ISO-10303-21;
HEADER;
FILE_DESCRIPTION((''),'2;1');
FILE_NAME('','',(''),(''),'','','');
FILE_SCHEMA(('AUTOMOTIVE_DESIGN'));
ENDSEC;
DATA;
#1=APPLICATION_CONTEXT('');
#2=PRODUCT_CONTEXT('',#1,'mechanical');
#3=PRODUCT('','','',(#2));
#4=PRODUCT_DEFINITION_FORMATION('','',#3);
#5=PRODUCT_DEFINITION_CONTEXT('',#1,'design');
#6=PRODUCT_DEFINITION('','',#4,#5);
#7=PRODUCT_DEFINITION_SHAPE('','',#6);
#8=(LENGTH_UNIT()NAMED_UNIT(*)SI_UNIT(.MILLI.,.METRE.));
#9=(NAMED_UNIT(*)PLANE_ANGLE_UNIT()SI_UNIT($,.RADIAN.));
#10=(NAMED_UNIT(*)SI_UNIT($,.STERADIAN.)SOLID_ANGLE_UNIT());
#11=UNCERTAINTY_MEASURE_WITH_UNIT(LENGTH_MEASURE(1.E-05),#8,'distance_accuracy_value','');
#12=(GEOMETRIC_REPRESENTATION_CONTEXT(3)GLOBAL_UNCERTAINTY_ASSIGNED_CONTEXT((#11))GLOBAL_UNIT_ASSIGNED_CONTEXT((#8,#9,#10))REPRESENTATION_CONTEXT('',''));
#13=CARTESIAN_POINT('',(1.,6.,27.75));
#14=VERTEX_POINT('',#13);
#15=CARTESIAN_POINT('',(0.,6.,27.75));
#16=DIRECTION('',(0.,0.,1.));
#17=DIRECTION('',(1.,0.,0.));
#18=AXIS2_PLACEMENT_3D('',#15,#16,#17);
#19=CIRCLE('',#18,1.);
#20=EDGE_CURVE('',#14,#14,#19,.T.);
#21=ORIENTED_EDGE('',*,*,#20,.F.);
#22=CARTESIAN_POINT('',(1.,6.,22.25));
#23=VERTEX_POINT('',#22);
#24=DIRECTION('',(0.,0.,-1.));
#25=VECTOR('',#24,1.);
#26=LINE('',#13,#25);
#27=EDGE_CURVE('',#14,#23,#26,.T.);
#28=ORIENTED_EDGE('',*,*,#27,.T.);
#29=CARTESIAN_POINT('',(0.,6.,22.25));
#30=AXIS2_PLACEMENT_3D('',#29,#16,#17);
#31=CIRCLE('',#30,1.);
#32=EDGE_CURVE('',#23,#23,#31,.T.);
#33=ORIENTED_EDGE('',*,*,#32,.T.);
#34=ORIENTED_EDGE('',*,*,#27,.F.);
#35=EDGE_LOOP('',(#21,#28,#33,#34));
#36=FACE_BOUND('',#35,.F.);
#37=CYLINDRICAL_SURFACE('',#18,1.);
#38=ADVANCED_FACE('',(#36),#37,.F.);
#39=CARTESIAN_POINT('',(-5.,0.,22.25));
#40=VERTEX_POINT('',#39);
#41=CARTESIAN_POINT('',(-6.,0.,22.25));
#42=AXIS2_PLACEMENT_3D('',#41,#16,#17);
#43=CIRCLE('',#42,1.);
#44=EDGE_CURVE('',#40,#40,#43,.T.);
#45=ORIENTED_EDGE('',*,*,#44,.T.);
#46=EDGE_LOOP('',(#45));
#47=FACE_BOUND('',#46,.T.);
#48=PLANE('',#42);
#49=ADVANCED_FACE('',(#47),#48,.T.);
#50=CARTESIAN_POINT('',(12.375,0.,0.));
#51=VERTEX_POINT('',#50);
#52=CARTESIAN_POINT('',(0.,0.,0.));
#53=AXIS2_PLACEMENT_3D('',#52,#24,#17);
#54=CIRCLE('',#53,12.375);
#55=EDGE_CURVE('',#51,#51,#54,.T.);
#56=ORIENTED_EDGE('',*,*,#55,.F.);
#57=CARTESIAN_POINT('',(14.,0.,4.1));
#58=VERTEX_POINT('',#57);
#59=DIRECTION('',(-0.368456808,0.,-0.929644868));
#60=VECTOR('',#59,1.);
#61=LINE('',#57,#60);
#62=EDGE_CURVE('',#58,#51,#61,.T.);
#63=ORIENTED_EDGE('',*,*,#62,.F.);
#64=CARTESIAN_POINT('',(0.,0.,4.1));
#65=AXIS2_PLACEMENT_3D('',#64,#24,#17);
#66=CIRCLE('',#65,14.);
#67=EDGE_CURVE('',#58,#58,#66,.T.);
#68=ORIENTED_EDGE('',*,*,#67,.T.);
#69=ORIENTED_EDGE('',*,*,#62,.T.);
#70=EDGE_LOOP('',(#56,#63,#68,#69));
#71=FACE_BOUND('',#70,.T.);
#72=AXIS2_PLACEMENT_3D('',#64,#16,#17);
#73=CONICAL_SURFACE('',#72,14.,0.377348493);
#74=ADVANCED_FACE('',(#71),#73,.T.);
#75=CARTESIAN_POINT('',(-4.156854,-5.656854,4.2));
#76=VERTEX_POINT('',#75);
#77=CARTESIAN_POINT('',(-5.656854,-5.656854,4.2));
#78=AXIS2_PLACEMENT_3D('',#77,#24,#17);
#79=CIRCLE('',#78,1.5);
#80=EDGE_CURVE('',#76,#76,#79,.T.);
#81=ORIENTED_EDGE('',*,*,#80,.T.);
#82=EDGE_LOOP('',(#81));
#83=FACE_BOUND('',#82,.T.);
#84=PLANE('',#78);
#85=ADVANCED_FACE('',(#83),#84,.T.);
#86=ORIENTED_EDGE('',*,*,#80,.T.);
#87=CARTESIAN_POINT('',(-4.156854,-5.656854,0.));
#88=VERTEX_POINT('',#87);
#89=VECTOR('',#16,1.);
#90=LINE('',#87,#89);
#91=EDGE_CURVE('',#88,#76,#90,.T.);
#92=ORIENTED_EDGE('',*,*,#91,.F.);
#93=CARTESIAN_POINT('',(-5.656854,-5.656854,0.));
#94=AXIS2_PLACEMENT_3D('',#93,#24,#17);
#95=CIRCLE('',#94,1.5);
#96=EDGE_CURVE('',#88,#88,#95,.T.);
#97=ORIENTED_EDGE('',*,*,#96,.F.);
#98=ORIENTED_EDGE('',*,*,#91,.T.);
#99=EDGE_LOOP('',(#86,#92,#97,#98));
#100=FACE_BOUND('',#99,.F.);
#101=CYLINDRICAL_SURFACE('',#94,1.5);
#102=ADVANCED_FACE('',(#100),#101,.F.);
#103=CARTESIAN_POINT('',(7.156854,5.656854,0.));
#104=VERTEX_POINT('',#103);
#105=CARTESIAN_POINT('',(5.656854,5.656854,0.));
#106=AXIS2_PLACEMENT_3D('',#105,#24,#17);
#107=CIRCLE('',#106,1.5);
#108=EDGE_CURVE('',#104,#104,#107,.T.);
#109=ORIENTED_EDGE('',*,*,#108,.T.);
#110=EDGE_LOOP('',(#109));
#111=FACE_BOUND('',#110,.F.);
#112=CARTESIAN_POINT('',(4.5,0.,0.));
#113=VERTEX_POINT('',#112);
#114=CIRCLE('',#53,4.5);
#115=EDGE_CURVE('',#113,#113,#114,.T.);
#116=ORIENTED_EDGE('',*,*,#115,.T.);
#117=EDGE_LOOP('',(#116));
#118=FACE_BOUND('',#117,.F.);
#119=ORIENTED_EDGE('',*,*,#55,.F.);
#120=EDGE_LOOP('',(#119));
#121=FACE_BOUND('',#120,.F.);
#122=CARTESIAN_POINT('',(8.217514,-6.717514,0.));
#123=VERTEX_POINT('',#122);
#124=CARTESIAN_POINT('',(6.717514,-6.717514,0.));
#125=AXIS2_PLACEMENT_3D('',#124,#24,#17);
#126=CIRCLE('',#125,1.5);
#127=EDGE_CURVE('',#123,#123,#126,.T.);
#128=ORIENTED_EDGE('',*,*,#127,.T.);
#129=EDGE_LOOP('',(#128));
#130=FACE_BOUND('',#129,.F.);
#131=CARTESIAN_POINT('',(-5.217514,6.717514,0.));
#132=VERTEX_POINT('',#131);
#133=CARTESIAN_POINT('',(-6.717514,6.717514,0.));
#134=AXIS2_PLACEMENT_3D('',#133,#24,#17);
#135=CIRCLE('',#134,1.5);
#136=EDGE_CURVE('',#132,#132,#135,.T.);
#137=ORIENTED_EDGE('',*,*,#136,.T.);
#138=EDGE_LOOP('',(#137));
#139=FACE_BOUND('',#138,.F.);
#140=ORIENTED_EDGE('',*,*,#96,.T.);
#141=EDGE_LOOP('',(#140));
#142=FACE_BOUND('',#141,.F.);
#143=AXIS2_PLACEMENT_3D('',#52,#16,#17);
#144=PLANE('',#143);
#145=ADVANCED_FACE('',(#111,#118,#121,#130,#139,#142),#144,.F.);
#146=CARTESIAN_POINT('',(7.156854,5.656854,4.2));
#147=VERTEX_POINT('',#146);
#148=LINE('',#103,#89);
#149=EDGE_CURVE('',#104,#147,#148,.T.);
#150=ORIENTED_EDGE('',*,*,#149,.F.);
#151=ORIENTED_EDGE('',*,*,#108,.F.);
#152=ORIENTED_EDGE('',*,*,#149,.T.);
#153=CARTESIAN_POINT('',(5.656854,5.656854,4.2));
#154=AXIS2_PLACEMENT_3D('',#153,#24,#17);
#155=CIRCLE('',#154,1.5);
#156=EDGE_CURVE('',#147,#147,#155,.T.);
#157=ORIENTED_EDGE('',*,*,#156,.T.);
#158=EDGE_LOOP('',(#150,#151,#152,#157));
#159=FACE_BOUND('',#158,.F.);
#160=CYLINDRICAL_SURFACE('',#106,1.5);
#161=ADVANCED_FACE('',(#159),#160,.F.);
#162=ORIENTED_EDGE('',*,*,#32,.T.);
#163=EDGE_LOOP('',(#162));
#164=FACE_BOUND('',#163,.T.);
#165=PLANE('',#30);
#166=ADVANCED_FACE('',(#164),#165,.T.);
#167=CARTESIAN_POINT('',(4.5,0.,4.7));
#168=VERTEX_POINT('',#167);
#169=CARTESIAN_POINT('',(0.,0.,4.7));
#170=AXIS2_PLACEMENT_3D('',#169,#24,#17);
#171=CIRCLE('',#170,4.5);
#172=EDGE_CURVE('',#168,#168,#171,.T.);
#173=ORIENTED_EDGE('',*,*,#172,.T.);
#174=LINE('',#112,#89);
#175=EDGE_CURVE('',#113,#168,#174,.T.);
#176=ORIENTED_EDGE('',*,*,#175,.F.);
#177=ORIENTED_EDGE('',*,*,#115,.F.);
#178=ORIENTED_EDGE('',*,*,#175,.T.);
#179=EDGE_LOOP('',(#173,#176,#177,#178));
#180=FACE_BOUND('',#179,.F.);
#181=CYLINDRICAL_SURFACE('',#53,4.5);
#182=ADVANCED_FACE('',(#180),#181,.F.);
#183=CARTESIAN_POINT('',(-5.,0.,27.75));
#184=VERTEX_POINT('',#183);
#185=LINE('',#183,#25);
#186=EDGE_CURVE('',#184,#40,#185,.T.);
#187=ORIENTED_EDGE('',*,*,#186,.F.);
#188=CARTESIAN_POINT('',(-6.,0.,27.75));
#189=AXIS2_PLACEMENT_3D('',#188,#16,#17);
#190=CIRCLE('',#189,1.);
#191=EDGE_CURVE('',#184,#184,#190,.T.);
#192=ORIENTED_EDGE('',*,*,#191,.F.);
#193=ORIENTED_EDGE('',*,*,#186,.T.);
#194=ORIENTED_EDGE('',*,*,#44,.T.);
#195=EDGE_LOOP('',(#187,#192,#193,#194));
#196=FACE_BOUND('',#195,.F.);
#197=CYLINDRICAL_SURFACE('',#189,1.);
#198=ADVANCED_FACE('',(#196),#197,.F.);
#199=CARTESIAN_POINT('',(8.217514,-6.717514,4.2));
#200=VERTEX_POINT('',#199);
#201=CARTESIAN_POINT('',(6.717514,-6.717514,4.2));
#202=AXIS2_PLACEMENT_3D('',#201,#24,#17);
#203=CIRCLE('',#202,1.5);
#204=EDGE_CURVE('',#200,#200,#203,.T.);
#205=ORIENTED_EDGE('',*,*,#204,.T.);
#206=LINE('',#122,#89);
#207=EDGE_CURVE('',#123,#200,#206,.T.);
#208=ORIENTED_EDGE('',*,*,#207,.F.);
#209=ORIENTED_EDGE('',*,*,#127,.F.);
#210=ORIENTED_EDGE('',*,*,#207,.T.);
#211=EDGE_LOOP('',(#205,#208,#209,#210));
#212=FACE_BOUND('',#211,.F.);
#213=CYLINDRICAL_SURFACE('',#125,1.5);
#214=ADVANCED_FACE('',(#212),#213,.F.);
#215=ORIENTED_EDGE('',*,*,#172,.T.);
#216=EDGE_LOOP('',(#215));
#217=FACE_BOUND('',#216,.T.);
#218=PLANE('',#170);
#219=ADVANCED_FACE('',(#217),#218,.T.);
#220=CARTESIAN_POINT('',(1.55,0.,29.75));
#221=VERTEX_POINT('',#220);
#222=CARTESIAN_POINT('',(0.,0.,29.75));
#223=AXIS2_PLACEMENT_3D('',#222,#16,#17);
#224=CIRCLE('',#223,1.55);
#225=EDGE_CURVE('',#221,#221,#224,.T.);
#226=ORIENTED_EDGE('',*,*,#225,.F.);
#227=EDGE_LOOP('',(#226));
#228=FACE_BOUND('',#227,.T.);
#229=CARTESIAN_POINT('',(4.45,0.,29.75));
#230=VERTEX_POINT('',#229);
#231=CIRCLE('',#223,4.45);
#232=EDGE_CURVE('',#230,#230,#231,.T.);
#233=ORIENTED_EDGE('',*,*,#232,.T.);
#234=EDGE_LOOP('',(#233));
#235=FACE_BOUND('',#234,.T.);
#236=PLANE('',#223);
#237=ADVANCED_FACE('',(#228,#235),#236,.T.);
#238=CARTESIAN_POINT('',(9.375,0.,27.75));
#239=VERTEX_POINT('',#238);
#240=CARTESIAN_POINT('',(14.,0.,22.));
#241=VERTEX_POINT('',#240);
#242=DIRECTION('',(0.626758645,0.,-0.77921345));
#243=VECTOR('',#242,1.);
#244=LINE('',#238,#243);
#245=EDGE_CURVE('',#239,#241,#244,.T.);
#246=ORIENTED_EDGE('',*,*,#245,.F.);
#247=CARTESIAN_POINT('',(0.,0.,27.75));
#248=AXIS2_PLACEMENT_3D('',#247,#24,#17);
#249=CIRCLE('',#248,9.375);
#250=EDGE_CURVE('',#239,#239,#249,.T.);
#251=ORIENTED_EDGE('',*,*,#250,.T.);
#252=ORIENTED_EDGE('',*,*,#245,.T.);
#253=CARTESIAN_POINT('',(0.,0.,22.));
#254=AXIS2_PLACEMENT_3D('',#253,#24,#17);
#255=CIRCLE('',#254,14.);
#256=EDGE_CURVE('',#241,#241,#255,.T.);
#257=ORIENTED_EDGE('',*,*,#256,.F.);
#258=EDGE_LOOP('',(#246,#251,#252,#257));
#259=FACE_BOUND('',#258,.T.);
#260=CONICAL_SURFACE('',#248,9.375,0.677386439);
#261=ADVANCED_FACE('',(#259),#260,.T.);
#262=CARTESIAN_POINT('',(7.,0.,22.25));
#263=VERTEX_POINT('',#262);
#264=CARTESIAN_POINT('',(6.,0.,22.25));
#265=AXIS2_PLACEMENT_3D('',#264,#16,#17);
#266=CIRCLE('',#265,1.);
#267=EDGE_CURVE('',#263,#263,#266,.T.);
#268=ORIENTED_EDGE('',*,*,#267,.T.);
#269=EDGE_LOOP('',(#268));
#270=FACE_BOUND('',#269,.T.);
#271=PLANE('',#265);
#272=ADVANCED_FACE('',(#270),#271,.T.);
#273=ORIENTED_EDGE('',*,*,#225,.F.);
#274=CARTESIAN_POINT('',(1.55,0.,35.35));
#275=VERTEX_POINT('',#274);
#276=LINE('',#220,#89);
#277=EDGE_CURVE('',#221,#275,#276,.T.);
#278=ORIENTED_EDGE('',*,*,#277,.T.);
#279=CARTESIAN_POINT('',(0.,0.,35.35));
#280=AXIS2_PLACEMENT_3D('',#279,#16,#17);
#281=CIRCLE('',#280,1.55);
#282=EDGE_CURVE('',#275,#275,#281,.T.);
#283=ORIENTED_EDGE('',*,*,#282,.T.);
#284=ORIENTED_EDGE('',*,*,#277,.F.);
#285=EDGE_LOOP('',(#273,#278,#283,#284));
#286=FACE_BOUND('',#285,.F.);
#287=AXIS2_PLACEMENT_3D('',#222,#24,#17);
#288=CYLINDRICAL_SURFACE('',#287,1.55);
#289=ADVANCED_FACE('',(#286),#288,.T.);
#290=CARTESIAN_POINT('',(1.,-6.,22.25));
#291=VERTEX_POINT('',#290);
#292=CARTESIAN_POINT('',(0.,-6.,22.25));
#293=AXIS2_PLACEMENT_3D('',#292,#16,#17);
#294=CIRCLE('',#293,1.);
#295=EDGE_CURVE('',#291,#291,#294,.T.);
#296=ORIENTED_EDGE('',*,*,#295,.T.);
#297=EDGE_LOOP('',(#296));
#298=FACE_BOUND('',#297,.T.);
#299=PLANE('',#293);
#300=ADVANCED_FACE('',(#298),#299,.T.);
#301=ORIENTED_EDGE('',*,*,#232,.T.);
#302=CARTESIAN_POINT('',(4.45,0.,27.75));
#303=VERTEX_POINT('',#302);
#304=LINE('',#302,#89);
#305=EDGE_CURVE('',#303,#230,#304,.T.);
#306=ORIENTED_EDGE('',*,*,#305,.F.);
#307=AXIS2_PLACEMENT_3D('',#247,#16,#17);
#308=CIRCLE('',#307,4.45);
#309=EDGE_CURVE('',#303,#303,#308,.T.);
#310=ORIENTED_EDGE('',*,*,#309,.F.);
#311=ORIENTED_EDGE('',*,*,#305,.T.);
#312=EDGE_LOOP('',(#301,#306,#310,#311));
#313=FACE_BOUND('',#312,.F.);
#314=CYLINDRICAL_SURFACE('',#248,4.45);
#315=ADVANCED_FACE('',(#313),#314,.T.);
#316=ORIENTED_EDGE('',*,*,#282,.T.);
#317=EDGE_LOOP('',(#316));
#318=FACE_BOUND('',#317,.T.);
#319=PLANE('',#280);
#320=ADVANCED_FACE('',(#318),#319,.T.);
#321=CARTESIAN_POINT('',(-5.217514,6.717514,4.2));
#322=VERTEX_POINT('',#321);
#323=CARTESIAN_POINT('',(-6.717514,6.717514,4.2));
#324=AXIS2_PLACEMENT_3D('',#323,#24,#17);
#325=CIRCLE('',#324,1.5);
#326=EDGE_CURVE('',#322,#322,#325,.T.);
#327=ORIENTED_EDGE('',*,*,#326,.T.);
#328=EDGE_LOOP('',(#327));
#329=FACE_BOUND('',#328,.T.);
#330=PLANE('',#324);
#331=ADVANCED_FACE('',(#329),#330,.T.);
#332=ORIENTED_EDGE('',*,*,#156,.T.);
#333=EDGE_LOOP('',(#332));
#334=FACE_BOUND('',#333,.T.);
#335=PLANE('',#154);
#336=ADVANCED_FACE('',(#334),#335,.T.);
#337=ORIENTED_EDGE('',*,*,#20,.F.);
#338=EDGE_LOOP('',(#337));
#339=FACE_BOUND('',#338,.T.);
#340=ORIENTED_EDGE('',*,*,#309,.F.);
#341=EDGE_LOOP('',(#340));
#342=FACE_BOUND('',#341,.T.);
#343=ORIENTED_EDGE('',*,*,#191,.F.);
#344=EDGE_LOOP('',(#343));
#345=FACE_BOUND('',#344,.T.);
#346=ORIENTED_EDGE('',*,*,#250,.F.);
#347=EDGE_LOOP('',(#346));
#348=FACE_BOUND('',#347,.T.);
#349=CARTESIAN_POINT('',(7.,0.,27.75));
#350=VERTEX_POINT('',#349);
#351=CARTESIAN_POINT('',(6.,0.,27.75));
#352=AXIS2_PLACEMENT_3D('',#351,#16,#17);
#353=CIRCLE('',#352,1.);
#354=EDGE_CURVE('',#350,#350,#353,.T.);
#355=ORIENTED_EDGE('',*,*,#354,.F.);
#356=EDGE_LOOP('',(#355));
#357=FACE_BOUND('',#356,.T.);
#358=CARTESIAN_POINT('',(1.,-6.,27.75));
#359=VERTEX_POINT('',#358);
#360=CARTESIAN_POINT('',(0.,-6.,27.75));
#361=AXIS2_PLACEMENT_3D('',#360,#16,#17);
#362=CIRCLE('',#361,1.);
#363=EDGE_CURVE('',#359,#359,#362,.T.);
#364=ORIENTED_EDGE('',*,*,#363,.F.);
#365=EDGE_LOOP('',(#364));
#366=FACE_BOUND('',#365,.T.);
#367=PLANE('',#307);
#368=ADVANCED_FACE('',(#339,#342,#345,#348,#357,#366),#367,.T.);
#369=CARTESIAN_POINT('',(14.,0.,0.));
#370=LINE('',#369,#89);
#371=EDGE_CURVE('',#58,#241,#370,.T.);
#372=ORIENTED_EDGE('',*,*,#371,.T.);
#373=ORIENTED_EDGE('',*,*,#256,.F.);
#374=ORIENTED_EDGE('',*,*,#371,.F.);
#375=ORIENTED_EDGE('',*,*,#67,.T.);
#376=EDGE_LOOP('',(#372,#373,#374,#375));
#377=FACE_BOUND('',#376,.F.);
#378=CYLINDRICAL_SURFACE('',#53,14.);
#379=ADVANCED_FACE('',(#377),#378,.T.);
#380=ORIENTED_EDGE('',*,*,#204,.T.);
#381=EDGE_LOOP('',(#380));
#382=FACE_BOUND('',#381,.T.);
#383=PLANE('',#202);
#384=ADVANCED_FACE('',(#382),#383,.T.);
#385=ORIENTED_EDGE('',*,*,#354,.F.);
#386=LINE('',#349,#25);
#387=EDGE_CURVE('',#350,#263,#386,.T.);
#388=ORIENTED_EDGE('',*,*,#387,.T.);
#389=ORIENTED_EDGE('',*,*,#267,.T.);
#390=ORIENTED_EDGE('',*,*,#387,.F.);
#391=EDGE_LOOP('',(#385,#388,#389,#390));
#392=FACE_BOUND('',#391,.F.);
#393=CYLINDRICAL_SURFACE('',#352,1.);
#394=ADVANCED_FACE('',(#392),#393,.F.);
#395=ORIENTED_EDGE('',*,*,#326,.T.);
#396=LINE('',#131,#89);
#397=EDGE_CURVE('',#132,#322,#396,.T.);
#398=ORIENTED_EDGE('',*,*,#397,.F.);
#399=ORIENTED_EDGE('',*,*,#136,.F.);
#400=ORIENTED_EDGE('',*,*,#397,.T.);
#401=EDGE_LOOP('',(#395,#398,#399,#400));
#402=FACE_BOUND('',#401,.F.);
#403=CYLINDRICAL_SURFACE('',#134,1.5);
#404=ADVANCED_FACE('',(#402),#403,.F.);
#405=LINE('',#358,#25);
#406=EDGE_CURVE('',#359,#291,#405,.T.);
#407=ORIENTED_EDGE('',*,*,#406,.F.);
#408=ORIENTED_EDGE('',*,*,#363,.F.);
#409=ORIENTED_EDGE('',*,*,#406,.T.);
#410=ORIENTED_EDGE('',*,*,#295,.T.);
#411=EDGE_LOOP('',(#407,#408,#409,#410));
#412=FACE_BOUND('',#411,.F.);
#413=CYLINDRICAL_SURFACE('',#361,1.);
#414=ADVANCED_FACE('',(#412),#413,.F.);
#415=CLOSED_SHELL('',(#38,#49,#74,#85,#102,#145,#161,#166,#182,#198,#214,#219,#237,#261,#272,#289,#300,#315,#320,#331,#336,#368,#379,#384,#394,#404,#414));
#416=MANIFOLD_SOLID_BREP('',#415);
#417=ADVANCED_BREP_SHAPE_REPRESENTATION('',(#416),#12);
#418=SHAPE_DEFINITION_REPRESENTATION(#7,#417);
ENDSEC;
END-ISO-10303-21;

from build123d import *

# Parameters (mm, degrees)
F0_R      = 14
F1_DEPTH  = 27.75
F5_R      = 4.45
F6_DEPTH  = 2
F7_R      = 1.55
F8_DEPTH  = 5.6
F9_R      = 4.5
F12_DEPTH = 4.7
F13_R     = 1.5
F14_DEPTH = 4.2
F15_R     = 1
F16_DEPTH = 5.5


with BuildPart() as f1:
    # F0 (on Top) → F1 (new body)
    with BuildSketch(Plane.XY):
        Circle(F0_R)
    extrude(amount=F1_DEPTH)

    # F3 (on Front) → F4 (revolve, cut)
    with BuildSketch(Plane.XZ):
        Polygon((14, 27.75), (9.375, 27.75), (14, 22), align=None)
    revolve(axis=Axis((0, 0, 13.875), (0, 0, -1)), mode=Mode.SUBTRACT)

    # F5 (on face) → F6 (join)
    with BuildSketch(Plane.XY.offset(27.75)):
        Circle(F5_R)
    extrude(amount=F6_DEPTH)

    # F7 (on face) → F8 (join)
    with BuildSketch(Plane.XY.offset(29.75)):
        Circle(F7_R)
    extrude(amount=F8_DEPTH)

    # F10 (on Front) → F11 (revolve, cut)
    with BuildSketch(Plane.XZ):
        Polygon((14, 0), (14, 4.1), (12.375, 0), align=None)
    revolve(axis=Axis((0, 0, 13.875), (0, 0, -1)), mode=Mode.SUBTRACT)

    # F9 (on face) → F12 (cut)
    with BuildSketch(Plane(origin=(0, 0, 0), x_dir=(1, 0, 0), z_dir=(0, 0, -1))):
        Circle(F9_R)
    extrude(amount=-F12_DEPTH, mode=Mode.SUBTRACT)

    # F13 (on face) → F14 (cut)
    with BuildSketch(Plane(origin=(0, 0, 0), x_dir=(1, 0, 0), z_dir=(0, 0, -1))):
        with Locations((-5.656854, 5.656854)):
            Circle(F13_R)
        with Locations((6.717514, 6.717514)):
            Circle(F13_R)
        with Locations((5.656854, -5.656854)):
            Circle(F13_R)
        with Locations((-6.717514, -6.717514)):
            Circle(F13_R)
    extrude(amount=-F14_DEPTH, mode=Mode.SUBTRACT)

    # F15 (on face) → F16 (cut)
    with BuildSketch(Plane.XY.offset(27.75)):
        with Locations((0, -6)):
            Circle(F15_R)
        with Locations((6, 0)):
            Circle(F15_R)
        with Locations((0, 6)):
            Circle(F15_R)
        with Locations((-6, 0)):
            Circle(F15_R)
    extrude(amount=-F16_DEPTH, mode=Mode.SUBTRACT)


solid = f1.part
